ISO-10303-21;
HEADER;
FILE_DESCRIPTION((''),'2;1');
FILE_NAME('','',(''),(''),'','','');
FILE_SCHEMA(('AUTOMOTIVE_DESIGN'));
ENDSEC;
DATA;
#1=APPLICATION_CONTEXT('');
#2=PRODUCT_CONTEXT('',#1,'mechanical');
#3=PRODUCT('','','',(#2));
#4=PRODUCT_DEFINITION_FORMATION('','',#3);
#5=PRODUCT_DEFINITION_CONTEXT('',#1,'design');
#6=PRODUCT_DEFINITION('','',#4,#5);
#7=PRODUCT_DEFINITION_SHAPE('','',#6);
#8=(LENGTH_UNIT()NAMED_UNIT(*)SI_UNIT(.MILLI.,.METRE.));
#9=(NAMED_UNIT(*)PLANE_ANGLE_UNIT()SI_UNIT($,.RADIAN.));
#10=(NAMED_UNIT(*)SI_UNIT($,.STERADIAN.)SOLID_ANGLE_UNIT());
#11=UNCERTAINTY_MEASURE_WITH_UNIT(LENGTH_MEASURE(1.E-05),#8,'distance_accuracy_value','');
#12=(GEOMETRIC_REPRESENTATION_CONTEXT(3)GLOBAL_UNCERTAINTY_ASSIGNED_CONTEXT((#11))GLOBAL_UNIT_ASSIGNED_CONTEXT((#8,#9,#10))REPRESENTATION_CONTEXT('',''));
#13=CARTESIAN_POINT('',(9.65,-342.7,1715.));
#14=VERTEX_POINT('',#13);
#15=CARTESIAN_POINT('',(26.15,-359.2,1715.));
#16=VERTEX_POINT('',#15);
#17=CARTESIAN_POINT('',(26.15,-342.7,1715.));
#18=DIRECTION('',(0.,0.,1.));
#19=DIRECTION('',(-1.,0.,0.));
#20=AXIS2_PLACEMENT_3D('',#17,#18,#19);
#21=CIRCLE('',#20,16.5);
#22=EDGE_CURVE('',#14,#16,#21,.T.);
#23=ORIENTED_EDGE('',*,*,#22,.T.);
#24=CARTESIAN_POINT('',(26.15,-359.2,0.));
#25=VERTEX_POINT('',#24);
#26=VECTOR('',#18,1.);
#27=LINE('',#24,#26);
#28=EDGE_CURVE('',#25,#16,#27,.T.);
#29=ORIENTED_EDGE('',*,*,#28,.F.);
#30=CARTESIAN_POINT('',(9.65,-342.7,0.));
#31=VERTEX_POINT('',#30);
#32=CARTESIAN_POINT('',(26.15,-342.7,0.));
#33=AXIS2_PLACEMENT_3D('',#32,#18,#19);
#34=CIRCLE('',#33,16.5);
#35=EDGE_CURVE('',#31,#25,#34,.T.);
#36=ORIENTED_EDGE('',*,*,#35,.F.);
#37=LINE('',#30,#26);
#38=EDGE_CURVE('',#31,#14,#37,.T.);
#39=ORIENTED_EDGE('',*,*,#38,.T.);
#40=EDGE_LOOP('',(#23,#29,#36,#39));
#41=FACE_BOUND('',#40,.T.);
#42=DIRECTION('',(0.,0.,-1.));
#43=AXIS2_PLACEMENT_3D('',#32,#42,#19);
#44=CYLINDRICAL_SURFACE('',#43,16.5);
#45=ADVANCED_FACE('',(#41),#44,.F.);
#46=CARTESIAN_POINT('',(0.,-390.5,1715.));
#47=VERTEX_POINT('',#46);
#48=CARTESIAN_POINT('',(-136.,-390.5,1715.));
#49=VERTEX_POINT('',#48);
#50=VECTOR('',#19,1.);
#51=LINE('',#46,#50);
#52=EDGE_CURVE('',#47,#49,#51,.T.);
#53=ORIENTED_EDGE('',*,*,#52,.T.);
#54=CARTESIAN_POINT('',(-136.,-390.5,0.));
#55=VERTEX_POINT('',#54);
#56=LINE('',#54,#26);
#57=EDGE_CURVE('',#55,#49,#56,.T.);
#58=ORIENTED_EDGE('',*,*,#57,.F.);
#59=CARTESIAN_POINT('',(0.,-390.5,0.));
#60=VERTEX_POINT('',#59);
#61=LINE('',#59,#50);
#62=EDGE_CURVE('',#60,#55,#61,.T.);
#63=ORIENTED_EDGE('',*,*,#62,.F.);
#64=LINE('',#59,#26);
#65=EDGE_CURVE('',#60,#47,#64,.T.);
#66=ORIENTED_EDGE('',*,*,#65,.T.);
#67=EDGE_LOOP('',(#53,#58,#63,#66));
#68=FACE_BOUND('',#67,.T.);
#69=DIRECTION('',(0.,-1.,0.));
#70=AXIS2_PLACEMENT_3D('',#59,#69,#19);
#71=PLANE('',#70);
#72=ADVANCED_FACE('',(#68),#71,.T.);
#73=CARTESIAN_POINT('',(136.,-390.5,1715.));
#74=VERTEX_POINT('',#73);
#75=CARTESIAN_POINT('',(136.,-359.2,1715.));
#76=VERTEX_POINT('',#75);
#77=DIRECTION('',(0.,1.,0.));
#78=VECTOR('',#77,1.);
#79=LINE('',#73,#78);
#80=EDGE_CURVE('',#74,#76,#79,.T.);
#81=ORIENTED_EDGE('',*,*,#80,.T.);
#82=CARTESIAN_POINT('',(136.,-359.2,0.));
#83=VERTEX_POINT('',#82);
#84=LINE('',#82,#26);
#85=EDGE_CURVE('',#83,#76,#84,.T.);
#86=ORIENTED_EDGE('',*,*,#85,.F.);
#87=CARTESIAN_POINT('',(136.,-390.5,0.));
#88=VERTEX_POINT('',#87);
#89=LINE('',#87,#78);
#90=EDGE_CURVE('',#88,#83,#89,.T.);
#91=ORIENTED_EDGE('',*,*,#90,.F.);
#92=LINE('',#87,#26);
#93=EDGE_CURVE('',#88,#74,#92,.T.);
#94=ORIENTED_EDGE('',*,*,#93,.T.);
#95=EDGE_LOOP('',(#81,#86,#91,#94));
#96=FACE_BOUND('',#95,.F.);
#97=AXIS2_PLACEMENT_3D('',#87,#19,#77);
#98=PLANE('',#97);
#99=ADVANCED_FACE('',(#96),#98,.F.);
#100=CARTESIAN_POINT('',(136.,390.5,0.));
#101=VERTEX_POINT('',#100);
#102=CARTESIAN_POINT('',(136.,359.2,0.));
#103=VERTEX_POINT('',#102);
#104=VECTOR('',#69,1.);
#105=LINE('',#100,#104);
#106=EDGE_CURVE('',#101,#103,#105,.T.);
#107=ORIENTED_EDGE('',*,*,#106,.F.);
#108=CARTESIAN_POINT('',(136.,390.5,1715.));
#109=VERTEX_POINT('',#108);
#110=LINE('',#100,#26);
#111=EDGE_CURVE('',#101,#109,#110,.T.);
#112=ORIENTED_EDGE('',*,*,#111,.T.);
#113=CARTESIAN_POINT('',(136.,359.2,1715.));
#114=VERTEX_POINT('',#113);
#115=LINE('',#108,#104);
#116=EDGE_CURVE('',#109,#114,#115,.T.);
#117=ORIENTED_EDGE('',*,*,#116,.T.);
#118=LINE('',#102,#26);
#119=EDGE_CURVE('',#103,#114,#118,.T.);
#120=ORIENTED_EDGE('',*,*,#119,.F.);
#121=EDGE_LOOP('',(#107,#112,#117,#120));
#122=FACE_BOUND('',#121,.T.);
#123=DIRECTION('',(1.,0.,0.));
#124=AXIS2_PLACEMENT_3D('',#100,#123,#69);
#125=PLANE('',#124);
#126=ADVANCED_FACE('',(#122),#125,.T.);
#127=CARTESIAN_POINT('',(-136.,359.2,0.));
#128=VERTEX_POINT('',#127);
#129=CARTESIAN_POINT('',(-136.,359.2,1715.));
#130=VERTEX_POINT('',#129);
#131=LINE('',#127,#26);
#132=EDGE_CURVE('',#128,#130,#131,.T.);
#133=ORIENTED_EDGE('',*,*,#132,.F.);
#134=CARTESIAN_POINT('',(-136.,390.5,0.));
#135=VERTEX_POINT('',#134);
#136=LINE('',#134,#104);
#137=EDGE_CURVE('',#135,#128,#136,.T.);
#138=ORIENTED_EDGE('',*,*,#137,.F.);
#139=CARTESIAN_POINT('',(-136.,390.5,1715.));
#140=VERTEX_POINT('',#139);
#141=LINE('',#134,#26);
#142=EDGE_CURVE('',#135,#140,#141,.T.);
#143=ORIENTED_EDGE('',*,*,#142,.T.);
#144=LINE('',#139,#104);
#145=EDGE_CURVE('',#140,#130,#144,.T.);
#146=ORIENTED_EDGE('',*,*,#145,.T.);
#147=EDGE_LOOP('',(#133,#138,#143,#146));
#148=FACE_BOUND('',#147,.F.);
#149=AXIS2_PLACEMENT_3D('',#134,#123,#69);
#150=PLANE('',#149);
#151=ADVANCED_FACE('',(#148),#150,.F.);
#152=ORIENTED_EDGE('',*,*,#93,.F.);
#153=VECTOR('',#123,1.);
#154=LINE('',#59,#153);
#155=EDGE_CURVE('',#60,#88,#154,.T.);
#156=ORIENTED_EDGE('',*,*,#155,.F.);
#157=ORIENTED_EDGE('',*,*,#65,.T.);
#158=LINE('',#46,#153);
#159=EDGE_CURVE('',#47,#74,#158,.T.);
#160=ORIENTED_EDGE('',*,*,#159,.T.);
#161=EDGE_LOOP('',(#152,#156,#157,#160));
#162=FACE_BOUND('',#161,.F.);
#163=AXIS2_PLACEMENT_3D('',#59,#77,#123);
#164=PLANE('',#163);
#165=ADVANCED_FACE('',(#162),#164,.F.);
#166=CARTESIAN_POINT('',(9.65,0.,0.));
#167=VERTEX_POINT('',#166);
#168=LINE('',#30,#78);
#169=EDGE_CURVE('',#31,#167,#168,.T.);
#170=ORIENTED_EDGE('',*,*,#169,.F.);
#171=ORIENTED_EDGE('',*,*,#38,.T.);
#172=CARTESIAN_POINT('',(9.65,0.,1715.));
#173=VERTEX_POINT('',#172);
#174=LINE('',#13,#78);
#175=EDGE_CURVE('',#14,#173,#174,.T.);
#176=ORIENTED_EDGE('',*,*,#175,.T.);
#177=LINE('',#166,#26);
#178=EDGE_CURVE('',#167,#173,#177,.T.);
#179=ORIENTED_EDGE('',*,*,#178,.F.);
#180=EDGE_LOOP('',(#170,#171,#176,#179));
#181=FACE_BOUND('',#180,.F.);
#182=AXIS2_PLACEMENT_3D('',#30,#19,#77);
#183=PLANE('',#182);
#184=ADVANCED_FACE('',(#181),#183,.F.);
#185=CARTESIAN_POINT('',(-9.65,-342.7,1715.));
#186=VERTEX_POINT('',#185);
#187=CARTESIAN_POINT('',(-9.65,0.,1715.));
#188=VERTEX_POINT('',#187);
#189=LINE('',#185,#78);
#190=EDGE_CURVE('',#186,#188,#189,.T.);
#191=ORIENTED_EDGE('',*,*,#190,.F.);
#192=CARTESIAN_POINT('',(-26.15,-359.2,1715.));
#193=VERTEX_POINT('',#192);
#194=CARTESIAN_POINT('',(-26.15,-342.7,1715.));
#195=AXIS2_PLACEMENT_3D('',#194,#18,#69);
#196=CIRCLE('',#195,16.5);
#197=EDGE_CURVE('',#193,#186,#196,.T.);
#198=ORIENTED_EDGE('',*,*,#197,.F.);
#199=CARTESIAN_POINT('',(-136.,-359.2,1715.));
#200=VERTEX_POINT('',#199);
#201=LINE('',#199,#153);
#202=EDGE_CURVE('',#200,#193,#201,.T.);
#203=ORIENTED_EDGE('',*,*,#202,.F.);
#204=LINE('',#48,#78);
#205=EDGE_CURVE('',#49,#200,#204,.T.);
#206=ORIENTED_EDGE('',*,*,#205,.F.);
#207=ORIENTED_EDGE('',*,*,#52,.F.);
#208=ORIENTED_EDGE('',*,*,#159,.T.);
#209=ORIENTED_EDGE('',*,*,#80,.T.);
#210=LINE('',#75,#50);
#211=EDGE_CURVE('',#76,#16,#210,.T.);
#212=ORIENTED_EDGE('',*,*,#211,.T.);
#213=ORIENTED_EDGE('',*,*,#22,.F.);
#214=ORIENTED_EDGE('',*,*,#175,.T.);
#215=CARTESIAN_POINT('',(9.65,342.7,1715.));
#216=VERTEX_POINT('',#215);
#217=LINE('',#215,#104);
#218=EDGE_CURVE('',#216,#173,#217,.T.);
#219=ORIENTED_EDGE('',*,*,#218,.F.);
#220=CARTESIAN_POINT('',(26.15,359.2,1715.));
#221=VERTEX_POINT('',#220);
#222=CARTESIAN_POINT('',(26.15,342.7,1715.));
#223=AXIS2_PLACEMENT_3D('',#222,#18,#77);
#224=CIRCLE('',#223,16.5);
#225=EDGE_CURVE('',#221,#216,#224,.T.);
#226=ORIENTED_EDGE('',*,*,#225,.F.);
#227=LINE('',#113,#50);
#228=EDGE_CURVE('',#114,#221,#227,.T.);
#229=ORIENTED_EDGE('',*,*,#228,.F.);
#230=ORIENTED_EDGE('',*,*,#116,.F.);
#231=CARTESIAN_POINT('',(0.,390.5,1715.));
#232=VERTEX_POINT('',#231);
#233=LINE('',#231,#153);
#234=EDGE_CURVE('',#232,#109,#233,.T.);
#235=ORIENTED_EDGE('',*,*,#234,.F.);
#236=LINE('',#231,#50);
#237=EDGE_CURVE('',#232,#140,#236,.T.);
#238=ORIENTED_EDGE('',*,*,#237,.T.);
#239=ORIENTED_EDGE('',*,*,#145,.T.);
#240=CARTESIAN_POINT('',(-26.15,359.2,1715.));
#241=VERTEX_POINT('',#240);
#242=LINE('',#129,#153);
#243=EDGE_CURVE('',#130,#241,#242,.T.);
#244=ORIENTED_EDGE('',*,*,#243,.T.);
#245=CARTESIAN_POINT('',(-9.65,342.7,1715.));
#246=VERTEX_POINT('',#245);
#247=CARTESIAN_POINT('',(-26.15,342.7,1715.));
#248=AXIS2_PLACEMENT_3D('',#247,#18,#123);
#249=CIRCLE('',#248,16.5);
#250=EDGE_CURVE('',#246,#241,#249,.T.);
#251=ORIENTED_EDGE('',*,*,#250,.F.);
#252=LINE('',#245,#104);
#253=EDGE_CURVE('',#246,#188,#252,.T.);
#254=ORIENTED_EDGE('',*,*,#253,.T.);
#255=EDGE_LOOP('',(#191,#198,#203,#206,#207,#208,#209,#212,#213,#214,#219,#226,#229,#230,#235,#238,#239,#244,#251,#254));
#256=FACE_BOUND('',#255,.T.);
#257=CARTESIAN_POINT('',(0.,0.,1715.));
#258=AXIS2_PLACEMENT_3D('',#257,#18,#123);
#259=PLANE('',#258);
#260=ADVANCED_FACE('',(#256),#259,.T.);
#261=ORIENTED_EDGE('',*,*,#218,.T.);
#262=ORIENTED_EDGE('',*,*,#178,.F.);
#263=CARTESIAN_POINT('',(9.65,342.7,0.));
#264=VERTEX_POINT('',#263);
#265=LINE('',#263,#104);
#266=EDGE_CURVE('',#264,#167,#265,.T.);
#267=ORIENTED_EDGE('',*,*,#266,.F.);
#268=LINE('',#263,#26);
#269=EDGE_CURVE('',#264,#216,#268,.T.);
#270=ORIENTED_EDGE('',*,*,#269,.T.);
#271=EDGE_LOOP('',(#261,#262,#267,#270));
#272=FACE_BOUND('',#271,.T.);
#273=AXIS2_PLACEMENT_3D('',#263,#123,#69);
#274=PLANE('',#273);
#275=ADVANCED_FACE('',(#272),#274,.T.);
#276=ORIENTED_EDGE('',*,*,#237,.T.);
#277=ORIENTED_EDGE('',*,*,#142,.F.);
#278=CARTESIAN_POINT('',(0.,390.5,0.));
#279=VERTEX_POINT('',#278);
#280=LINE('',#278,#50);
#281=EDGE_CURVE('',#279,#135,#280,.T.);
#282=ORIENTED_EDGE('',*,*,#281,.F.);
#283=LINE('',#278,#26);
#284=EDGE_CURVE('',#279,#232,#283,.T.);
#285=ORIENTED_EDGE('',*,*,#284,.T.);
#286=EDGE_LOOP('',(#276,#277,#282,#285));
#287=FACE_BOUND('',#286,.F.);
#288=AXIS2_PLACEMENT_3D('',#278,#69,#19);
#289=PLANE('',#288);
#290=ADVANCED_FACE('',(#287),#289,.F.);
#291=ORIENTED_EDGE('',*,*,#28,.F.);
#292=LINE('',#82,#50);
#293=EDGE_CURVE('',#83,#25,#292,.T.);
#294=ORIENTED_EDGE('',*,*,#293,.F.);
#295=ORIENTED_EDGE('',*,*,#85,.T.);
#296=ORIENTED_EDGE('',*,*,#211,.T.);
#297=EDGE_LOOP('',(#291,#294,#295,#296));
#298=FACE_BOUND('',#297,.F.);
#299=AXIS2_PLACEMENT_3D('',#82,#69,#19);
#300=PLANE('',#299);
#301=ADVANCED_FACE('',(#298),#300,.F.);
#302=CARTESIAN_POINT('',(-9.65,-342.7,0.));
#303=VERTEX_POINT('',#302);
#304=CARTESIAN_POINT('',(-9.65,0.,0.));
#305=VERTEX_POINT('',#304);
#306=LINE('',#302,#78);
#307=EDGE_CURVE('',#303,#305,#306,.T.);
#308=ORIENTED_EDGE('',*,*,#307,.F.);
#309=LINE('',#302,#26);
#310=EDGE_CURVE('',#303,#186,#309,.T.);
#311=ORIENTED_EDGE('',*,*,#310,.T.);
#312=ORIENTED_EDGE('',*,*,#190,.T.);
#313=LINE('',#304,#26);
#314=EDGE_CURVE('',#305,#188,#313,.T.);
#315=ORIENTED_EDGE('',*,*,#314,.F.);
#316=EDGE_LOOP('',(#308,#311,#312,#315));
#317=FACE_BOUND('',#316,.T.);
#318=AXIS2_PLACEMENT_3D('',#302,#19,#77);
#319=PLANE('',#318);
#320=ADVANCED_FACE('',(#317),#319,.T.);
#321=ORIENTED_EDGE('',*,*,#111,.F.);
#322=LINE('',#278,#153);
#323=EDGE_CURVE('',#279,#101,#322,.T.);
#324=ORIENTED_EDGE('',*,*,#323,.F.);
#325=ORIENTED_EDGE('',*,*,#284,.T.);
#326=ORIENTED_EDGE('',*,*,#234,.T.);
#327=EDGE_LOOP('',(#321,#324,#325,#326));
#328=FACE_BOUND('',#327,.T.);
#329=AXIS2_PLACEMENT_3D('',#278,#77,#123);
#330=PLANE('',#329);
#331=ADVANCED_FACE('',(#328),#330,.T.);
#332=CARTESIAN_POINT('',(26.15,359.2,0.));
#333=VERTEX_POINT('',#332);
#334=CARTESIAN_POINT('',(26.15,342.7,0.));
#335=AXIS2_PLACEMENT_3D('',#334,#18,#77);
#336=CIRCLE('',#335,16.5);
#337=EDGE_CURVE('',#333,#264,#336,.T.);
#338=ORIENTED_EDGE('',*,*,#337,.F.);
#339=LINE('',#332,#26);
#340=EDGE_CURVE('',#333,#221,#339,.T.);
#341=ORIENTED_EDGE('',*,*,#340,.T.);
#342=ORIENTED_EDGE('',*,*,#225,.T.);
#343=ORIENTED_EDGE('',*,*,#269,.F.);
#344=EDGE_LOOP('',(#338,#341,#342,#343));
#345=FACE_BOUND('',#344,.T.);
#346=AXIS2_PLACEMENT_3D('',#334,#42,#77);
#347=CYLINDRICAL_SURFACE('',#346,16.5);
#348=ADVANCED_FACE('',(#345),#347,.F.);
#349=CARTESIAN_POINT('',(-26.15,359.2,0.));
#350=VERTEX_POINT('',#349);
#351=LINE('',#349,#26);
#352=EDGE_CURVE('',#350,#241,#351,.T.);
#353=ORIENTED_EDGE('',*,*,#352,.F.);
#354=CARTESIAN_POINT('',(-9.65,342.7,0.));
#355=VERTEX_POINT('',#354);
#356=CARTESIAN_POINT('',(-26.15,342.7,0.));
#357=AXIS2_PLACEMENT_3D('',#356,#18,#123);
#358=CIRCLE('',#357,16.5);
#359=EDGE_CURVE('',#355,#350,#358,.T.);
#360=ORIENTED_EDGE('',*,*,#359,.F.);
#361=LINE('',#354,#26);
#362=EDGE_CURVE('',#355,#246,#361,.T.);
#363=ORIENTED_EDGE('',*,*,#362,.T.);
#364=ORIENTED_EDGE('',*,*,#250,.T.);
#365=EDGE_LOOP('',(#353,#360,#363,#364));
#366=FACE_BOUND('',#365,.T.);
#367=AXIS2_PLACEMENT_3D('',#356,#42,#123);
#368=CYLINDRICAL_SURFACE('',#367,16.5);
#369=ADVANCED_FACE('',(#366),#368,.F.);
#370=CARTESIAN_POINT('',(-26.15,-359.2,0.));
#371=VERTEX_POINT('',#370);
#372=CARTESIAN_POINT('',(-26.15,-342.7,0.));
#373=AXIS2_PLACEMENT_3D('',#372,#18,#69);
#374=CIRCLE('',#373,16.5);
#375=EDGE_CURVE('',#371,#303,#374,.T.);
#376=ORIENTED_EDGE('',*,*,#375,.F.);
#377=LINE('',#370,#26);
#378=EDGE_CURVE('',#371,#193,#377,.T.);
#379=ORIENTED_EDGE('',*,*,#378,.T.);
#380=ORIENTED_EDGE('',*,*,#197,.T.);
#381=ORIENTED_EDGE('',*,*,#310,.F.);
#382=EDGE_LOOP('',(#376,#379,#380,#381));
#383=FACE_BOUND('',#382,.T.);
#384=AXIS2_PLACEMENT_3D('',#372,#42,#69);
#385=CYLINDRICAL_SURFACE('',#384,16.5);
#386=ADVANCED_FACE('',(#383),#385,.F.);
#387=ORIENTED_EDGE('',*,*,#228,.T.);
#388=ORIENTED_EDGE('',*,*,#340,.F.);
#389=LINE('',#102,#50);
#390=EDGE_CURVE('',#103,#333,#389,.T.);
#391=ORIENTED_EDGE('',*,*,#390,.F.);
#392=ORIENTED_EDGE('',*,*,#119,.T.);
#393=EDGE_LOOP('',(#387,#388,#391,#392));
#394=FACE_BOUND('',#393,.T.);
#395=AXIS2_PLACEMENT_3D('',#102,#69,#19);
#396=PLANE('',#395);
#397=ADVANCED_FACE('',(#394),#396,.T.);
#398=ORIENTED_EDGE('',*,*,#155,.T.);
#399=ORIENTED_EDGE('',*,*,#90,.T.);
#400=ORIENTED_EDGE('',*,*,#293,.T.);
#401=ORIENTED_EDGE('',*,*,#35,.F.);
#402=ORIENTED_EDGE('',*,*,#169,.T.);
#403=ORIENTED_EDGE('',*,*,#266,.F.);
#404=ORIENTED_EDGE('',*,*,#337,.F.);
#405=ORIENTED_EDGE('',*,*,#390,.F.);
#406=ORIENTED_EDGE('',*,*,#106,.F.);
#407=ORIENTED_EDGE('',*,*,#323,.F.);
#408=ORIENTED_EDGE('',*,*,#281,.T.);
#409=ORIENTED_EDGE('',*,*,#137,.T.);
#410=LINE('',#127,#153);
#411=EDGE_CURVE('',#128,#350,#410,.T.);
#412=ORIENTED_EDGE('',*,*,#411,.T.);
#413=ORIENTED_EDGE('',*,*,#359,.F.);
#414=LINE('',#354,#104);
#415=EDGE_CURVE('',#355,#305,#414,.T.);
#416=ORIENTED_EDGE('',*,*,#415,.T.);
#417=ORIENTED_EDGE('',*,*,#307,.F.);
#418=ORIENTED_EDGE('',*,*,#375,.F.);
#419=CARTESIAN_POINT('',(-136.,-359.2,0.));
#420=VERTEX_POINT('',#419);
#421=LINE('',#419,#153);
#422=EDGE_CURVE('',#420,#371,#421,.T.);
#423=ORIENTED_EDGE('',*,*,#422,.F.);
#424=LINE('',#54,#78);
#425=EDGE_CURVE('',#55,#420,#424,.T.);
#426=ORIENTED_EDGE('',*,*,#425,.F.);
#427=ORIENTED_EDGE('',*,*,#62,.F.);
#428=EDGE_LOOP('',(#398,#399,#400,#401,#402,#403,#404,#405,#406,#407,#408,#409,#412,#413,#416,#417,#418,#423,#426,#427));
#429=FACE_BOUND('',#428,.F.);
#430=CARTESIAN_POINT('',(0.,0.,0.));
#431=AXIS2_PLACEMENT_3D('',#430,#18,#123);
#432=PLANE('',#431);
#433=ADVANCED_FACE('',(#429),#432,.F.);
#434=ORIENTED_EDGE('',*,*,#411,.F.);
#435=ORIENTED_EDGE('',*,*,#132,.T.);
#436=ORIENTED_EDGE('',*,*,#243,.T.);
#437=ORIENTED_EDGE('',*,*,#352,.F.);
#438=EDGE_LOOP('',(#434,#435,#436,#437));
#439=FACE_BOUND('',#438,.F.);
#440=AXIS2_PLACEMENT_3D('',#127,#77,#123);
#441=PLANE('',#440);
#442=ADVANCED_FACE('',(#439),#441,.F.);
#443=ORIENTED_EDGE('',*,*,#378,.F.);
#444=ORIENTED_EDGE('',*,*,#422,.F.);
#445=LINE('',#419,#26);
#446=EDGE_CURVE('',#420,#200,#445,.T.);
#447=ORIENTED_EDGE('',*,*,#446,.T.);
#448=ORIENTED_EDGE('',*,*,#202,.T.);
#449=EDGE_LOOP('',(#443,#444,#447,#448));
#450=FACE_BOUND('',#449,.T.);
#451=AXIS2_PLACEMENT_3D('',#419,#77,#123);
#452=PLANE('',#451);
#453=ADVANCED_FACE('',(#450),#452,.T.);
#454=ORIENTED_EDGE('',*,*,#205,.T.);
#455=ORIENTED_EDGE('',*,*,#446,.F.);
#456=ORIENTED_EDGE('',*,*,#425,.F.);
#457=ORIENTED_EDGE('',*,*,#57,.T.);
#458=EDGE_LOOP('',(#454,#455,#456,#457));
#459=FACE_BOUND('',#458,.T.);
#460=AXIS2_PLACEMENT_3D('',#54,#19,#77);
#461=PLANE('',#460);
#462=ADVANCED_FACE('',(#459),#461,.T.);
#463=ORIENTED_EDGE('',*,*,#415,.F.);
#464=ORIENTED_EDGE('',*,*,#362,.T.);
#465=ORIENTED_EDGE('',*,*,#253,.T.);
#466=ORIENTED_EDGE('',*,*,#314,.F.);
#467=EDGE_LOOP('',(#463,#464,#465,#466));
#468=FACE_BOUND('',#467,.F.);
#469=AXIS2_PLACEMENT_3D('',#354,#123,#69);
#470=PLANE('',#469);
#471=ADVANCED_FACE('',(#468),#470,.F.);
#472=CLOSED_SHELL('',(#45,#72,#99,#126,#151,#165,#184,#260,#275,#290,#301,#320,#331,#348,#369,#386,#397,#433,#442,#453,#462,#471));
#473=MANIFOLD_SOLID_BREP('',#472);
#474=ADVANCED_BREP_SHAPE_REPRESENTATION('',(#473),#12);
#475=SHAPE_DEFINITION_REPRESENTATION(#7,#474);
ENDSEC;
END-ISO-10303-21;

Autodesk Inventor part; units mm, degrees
ref_plane "YZ Plane" through (0, 0, 0) normal (1, 0, 0) x (0, 1, 0)
ref_plane "Start plane" through (0, 0, 0) normal (0, 0, 1) x (1, 0, 0)
ref_plane "End plane" through (0, 0, 1715) normal (0, 0, 1) x (1, 0, 0)
sketch "Sketch" plane through (0, 0, 0) normal (0, 0, 1) x (1, 0, 0)
  line L0 (-136, -390.5) -> (-136, -359.2)
  line L1 (-136, -359.2) -> (-26.15, -359.2)
  line L2 (-9.65, -342.7) -> (-9.65, 0)
  line L3 (-9.65, 0) -> (0, 0) construction
  line L4 (0, 0) -> (0, -390.5) construction
  line L5 (0, -390.5) -> (-136, -390.5)
  line L6 (-60, 0) -> (80, 0) construction
  line L7 (0, -60) -> (0, 80) construction
  line L8 (136, -390.5) -> (136, -359.2)
  line L9 (136, -359.2) -> (26.15, -359.2)
  line L10 (9.65, -342.7) -> (9.65, 0)
  line L11 (9.65, 0) -> (0, 0) construction
  line L12 (0, -390.5) -> (136, -390.5)
  line L13 (-136, 390.5) -> (-136, 359.2)
  line L14 (-136, 359.2) -> (-26.15, 359.2)
  line L15 (-9.65, 342.7) -> (-9.65, 0)
  line L16 (0, 390.5) -> (-136, 390.5)
  line L17 (136, 390.5) -> (136, 359.2)
  line L18 (136, 359.2) -> (26.15, 359.2)
  line L19 (0, 390.5) -> (136, 390.5)
  line L20 (9.65, 342.7) -> (9.65, 0)
  arc A0 (-9.65, 342.7) -> (-26.15, 359.2) centre (-26.15, 342.7) ccw
  arc A1 (26.15, 359.2) -> (9.65, 342.7) centre (26.15, 342.7) ccw
  arc A2 (9.65, -342.7) -> (26.15, -359.2) centre (26.15, -342.7) ccw
  arc A3 (-26.15, -359.2) -> (-9.65, -342.7) centre (-26.15, -342.7) ccw
  line L21 (0, 108) -> (0, -88) construction
  line L22 (-88, 0) -> (108, 0) construction
  point P0 (-9.65, -359.2)
  point P1 (9.65, -359.2)
  point P2 (-9.65, 359.2)
  point P3 (9.65, 359.2)
  dimension "d1" = 390.5
  dimension "d2" = 31.3
  dimension "d3" = 136
  dimension "d4" = 9.65
  dimension "d10" = 16.5
extrude "Body" add sketch "Sketch" along normal up to surface (1715 mm away) from surface at 0
sketch "Sketch4" plane through (0, 0, 0) normal (0, 0, 1) x (1, 0, 0)
  line L0 (0, 0) -> (10, 0)
ref_plane "Work Plane3" through (0, 0, 0) normal (0, -1, 0) x (1, 0, 0)
sketch "Sketch5" plane through (0, 0, 0) normal (0, -1, 0) x (1, 0, 0)
  line L0 (-2, 0) -> (12, 0) projected
  line L1 (-2, 1715) -> (12, 1715) projected
  dimension "d14" = 1715
equation "\"d1\" = 0.5 * G_H"
equation "\"d2\" = G_T1"
equation "\"d3\" = 0.5 * G_W"
equation "\"d4\" = 0.5 * G_T"
equation "\"d10\" = G_IR"
equation "\"d5\" = G_L"
equation "\"G_W\" = 272"
equation "\"G_H\" = 781"
equation "\"G_T\" = 19.3"
equation "\"G_T1\" = 31.3"
equation "\"G_IR\" = 16.5"
equation "\"G_L\" = d14"
equation "\"G_OFFSET_START\" = 0"
equation "\"G_OFFSET_END\" = 0"
equation "\"d12\" = G_OFFSET_END + B_L"
equation "\"B_L\" = 1715"
properties part number "AS 3679-1990 - 760 UB - 244 - 1715" material "Steel, Mild"
